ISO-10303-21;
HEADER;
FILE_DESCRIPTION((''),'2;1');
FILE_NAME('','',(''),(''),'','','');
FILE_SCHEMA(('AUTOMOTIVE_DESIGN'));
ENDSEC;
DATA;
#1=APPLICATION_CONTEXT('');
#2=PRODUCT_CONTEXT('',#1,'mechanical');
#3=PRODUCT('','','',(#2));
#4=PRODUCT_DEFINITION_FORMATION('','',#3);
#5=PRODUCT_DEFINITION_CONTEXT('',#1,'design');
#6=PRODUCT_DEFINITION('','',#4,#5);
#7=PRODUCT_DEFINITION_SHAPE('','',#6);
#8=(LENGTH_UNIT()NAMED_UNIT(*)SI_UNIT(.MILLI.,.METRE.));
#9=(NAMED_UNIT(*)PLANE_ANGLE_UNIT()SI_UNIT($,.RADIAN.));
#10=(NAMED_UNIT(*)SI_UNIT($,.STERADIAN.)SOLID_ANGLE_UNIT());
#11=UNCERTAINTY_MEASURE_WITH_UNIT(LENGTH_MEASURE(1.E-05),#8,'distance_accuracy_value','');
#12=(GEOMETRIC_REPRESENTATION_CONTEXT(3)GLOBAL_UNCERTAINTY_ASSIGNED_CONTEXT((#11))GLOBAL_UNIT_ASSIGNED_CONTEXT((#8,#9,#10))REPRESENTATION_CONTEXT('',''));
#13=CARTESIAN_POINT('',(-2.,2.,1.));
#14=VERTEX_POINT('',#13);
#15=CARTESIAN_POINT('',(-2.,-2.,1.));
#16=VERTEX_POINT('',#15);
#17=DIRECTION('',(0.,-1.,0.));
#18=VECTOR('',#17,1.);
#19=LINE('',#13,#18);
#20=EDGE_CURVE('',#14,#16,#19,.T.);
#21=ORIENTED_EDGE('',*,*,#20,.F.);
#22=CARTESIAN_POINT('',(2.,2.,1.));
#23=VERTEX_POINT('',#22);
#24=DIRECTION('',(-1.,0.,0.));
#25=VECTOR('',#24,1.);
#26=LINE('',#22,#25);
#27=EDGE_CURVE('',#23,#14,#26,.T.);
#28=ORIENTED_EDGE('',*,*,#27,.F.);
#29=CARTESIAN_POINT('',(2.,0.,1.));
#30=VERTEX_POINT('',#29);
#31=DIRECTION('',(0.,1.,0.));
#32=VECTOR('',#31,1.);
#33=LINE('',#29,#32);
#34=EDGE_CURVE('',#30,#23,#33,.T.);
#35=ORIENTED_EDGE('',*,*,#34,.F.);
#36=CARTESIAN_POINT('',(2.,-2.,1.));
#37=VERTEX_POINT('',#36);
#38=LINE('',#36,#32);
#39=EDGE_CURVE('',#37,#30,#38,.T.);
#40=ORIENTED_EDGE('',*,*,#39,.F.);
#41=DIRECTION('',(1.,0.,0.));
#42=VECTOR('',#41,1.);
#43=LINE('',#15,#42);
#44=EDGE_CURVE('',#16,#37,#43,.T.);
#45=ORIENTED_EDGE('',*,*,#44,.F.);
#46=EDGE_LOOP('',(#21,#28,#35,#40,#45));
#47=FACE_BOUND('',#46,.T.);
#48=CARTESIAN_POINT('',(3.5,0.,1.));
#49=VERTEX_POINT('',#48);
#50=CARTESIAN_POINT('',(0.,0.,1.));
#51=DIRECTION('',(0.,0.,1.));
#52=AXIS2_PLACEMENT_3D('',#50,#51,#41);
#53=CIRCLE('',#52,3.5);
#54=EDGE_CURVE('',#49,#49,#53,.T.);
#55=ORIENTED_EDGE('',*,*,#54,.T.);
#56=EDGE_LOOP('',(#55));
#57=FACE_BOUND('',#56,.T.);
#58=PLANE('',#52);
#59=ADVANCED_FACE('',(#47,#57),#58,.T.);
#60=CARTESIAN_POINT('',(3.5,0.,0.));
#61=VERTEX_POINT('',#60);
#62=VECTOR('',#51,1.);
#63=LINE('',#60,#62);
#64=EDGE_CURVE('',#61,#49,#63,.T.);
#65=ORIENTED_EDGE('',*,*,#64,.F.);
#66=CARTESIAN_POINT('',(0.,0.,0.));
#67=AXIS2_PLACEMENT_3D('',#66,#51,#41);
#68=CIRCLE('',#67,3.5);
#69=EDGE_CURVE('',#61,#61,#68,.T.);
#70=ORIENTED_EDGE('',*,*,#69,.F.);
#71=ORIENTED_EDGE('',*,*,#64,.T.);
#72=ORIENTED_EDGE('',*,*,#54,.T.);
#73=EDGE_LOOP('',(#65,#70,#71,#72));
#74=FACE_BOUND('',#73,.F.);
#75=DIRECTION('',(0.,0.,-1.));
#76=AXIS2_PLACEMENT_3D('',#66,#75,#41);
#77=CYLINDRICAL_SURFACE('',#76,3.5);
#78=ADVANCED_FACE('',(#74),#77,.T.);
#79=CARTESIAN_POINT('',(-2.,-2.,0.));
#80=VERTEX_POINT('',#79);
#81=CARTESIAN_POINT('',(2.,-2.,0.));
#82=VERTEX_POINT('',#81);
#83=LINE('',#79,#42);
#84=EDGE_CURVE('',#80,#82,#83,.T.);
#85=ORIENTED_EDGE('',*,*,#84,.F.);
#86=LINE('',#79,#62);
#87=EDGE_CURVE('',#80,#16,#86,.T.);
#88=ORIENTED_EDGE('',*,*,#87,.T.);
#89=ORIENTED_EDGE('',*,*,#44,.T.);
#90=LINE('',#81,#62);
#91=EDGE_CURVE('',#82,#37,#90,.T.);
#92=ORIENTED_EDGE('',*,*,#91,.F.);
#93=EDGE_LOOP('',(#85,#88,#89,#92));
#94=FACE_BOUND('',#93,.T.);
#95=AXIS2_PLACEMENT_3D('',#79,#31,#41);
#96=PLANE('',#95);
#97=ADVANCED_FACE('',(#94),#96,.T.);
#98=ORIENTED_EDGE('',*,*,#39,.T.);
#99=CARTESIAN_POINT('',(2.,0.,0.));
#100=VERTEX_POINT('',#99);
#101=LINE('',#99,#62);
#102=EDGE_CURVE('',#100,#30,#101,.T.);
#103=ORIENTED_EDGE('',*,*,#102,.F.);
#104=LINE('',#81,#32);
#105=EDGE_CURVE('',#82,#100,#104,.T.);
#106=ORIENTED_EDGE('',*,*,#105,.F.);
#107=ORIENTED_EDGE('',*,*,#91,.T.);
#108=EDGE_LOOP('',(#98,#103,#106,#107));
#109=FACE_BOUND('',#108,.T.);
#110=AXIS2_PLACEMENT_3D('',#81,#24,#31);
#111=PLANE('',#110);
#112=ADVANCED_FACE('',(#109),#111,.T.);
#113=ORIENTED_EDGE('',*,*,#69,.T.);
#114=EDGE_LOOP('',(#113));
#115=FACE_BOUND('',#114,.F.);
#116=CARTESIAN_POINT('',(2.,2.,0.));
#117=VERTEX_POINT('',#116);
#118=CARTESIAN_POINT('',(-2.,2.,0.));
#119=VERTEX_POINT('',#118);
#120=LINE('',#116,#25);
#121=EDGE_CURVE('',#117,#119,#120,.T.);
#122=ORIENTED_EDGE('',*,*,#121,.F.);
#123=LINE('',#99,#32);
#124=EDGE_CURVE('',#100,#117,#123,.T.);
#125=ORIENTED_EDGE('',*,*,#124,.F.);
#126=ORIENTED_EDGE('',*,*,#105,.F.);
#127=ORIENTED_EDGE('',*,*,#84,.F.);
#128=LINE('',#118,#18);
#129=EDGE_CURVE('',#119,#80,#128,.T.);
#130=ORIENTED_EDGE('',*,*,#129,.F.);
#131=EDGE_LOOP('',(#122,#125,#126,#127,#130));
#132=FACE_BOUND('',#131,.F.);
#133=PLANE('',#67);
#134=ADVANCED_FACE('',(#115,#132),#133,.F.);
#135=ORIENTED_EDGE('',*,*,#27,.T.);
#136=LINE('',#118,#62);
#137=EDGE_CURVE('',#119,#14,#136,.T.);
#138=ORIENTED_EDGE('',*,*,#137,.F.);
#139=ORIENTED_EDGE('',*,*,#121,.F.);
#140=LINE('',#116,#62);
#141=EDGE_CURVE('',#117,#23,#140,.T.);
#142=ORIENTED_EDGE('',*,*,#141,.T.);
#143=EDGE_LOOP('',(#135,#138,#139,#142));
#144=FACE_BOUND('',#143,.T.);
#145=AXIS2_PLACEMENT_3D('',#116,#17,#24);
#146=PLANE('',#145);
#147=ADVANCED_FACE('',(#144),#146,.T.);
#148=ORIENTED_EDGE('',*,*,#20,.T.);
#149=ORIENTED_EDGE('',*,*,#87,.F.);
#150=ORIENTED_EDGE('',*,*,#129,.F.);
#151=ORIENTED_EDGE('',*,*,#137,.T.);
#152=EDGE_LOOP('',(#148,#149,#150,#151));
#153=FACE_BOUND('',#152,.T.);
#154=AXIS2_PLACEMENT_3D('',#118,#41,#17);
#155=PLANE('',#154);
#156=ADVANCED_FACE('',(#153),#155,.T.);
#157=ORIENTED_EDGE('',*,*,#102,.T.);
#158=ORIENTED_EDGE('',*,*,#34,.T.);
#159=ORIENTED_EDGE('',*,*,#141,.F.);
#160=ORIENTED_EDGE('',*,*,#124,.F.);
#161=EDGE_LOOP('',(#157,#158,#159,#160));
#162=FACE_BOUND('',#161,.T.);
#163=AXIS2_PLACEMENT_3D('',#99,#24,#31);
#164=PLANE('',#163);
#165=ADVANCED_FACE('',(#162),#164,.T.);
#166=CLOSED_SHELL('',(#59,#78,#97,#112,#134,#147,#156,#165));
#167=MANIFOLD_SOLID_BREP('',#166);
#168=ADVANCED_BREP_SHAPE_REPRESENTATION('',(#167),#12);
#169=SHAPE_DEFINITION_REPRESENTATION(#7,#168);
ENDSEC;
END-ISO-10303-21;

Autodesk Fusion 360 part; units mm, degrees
sketch "Sketch1" plane through (0, 0, 0) normal (0, 0, 1) x (1, 0, 0)
  circle A0 centre (0, 0) radius 3.5
  line L0 (0, 0) -> (2, 0)
  line L1 (2, 0) -> (2, 2)
  line L2 (2, 2) -> (-2, 2)
  line L3 (-2, 2) -> (-2, -2)
  line L4 (-2, -2) -> (2, -2)
  line L5 (2, -2) -> (2, 0)
  dimension "d1" = 7
  dimension "d2" = 2
  dimension "d3" = 2
  dimension "d4" = 4
  dimension "d5" = 4
  dimension "d6" = 4
  dimension "d7" = 2
extrude "Extrude1" add sketch "Sketch1" along normal blind 1
equation "d3 = d2"
equation "d4 = d2 * 2"
equation "d5 = d2 * 2"
equation "d6 = d2 * 2"
equation "d7 = d2"
